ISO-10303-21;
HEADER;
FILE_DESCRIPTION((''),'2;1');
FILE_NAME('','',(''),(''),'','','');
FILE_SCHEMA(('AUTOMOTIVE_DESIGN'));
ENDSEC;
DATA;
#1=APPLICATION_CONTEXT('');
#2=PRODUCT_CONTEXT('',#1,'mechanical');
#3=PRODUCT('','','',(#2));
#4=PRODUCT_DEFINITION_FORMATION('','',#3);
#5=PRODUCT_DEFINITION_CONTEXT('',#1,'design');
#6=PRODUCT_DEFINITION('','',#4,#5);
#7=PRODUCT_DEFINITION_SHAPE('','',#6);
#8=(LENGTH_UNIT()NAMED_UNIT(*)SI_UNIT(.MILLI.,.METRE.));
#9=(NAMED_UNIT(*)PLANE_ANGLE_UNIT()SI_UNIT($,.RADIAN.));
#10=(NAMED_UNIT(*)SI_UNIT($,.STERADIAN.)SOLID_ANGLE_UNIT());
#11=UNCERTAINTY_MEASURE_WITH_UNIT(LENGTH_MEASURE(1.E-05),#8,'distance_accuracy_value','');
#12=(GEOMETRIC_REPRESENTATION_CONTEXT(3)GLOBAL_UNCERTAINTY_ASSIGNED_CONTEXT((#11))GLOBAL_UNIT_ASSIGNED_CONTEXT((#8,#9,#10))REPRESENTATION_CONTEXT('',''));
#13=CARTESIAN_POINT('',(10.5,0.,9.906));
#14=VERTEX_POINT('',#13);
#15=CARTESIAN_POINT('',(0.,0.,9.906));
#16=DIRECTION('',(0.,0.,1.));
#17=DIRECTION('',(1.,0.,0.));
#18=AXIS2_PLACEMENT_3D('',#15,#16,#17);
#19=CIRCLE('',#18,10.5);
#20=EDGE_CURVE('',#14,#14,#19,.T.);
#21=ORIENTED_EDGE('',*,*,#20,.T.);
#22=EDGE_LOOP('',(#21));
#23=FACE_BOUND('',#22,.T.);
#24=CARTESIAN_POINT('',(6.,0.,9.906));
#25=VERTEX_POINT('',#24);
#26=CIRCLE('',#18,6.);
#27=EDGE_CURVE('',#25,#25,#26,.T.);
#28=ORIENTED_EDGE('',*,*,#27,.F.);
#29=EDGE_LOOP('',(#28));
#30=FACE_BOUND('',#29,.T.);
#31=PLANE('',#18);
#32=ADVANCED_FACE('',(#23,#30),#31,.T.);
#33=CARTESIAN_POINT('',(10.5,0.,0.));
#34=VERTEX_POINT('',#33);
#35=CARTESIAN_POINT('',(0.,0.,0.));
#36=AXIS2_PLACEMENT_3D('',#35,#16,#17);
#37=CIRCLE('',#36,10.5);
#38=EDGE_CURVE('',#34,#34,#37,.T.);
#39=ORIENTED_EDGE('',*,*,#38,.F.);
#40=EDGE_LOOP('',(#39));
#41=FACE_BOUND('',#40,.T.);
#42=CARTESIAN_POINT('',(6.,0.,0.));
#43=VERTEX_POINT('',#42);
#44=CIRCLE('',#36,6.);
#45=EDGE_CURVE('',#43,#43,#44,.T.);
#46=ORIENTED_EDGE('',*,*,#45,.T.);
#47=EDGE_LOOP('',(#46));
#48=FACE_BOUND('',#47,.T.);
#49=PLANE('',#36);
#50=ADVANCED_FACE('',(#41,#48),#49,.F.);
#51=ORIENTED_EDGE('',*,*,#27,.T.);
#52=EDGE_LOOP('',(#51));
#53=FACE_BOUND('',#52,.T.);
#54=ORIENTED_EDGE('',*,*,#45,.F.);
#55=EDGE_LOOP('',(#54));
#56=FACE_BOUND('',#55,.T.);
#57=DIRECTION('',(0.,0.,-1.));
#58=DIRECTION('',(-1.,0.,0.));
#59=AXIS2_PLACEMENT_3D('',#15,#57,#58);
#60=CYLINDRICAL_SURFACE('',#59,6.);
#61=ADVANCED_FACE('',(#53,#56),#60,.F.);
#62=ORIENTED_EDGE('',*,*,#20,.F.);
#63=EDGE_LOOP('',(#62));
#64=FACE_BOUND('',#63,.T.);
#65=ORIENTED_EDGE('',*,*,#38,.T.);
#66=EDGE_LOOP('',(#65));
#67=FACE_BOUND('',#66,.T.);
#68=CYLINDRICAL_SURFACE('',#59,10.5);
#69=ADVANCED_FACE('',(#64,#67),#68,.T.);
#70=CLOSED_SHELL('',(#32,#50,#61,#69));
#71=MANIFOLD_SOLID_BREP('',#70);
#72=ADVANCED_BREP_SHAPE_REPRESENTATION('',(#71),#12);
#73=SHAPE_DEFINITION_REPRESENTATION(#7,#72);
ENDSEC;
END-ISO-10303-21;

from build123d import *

# Parameters (mm, degrees)
SKETCH1_R           = 10.5
SKETCH1_R_2         = 6
BOSS_EXTRUDE1_DEPTH = 9.906


with BuildPart() as part:
    # Sketch1 → Boss-Extrude1 (new body)
    with BuildSketch(Plane.XY):
        Circle(SKETCH1_R)
        Circle(SKETCH1_R_2, mode=Mode.SUBTRACT)
    extrude(amount=BOSS_EXTRUDE1_DEPTH)


solid = part.part
